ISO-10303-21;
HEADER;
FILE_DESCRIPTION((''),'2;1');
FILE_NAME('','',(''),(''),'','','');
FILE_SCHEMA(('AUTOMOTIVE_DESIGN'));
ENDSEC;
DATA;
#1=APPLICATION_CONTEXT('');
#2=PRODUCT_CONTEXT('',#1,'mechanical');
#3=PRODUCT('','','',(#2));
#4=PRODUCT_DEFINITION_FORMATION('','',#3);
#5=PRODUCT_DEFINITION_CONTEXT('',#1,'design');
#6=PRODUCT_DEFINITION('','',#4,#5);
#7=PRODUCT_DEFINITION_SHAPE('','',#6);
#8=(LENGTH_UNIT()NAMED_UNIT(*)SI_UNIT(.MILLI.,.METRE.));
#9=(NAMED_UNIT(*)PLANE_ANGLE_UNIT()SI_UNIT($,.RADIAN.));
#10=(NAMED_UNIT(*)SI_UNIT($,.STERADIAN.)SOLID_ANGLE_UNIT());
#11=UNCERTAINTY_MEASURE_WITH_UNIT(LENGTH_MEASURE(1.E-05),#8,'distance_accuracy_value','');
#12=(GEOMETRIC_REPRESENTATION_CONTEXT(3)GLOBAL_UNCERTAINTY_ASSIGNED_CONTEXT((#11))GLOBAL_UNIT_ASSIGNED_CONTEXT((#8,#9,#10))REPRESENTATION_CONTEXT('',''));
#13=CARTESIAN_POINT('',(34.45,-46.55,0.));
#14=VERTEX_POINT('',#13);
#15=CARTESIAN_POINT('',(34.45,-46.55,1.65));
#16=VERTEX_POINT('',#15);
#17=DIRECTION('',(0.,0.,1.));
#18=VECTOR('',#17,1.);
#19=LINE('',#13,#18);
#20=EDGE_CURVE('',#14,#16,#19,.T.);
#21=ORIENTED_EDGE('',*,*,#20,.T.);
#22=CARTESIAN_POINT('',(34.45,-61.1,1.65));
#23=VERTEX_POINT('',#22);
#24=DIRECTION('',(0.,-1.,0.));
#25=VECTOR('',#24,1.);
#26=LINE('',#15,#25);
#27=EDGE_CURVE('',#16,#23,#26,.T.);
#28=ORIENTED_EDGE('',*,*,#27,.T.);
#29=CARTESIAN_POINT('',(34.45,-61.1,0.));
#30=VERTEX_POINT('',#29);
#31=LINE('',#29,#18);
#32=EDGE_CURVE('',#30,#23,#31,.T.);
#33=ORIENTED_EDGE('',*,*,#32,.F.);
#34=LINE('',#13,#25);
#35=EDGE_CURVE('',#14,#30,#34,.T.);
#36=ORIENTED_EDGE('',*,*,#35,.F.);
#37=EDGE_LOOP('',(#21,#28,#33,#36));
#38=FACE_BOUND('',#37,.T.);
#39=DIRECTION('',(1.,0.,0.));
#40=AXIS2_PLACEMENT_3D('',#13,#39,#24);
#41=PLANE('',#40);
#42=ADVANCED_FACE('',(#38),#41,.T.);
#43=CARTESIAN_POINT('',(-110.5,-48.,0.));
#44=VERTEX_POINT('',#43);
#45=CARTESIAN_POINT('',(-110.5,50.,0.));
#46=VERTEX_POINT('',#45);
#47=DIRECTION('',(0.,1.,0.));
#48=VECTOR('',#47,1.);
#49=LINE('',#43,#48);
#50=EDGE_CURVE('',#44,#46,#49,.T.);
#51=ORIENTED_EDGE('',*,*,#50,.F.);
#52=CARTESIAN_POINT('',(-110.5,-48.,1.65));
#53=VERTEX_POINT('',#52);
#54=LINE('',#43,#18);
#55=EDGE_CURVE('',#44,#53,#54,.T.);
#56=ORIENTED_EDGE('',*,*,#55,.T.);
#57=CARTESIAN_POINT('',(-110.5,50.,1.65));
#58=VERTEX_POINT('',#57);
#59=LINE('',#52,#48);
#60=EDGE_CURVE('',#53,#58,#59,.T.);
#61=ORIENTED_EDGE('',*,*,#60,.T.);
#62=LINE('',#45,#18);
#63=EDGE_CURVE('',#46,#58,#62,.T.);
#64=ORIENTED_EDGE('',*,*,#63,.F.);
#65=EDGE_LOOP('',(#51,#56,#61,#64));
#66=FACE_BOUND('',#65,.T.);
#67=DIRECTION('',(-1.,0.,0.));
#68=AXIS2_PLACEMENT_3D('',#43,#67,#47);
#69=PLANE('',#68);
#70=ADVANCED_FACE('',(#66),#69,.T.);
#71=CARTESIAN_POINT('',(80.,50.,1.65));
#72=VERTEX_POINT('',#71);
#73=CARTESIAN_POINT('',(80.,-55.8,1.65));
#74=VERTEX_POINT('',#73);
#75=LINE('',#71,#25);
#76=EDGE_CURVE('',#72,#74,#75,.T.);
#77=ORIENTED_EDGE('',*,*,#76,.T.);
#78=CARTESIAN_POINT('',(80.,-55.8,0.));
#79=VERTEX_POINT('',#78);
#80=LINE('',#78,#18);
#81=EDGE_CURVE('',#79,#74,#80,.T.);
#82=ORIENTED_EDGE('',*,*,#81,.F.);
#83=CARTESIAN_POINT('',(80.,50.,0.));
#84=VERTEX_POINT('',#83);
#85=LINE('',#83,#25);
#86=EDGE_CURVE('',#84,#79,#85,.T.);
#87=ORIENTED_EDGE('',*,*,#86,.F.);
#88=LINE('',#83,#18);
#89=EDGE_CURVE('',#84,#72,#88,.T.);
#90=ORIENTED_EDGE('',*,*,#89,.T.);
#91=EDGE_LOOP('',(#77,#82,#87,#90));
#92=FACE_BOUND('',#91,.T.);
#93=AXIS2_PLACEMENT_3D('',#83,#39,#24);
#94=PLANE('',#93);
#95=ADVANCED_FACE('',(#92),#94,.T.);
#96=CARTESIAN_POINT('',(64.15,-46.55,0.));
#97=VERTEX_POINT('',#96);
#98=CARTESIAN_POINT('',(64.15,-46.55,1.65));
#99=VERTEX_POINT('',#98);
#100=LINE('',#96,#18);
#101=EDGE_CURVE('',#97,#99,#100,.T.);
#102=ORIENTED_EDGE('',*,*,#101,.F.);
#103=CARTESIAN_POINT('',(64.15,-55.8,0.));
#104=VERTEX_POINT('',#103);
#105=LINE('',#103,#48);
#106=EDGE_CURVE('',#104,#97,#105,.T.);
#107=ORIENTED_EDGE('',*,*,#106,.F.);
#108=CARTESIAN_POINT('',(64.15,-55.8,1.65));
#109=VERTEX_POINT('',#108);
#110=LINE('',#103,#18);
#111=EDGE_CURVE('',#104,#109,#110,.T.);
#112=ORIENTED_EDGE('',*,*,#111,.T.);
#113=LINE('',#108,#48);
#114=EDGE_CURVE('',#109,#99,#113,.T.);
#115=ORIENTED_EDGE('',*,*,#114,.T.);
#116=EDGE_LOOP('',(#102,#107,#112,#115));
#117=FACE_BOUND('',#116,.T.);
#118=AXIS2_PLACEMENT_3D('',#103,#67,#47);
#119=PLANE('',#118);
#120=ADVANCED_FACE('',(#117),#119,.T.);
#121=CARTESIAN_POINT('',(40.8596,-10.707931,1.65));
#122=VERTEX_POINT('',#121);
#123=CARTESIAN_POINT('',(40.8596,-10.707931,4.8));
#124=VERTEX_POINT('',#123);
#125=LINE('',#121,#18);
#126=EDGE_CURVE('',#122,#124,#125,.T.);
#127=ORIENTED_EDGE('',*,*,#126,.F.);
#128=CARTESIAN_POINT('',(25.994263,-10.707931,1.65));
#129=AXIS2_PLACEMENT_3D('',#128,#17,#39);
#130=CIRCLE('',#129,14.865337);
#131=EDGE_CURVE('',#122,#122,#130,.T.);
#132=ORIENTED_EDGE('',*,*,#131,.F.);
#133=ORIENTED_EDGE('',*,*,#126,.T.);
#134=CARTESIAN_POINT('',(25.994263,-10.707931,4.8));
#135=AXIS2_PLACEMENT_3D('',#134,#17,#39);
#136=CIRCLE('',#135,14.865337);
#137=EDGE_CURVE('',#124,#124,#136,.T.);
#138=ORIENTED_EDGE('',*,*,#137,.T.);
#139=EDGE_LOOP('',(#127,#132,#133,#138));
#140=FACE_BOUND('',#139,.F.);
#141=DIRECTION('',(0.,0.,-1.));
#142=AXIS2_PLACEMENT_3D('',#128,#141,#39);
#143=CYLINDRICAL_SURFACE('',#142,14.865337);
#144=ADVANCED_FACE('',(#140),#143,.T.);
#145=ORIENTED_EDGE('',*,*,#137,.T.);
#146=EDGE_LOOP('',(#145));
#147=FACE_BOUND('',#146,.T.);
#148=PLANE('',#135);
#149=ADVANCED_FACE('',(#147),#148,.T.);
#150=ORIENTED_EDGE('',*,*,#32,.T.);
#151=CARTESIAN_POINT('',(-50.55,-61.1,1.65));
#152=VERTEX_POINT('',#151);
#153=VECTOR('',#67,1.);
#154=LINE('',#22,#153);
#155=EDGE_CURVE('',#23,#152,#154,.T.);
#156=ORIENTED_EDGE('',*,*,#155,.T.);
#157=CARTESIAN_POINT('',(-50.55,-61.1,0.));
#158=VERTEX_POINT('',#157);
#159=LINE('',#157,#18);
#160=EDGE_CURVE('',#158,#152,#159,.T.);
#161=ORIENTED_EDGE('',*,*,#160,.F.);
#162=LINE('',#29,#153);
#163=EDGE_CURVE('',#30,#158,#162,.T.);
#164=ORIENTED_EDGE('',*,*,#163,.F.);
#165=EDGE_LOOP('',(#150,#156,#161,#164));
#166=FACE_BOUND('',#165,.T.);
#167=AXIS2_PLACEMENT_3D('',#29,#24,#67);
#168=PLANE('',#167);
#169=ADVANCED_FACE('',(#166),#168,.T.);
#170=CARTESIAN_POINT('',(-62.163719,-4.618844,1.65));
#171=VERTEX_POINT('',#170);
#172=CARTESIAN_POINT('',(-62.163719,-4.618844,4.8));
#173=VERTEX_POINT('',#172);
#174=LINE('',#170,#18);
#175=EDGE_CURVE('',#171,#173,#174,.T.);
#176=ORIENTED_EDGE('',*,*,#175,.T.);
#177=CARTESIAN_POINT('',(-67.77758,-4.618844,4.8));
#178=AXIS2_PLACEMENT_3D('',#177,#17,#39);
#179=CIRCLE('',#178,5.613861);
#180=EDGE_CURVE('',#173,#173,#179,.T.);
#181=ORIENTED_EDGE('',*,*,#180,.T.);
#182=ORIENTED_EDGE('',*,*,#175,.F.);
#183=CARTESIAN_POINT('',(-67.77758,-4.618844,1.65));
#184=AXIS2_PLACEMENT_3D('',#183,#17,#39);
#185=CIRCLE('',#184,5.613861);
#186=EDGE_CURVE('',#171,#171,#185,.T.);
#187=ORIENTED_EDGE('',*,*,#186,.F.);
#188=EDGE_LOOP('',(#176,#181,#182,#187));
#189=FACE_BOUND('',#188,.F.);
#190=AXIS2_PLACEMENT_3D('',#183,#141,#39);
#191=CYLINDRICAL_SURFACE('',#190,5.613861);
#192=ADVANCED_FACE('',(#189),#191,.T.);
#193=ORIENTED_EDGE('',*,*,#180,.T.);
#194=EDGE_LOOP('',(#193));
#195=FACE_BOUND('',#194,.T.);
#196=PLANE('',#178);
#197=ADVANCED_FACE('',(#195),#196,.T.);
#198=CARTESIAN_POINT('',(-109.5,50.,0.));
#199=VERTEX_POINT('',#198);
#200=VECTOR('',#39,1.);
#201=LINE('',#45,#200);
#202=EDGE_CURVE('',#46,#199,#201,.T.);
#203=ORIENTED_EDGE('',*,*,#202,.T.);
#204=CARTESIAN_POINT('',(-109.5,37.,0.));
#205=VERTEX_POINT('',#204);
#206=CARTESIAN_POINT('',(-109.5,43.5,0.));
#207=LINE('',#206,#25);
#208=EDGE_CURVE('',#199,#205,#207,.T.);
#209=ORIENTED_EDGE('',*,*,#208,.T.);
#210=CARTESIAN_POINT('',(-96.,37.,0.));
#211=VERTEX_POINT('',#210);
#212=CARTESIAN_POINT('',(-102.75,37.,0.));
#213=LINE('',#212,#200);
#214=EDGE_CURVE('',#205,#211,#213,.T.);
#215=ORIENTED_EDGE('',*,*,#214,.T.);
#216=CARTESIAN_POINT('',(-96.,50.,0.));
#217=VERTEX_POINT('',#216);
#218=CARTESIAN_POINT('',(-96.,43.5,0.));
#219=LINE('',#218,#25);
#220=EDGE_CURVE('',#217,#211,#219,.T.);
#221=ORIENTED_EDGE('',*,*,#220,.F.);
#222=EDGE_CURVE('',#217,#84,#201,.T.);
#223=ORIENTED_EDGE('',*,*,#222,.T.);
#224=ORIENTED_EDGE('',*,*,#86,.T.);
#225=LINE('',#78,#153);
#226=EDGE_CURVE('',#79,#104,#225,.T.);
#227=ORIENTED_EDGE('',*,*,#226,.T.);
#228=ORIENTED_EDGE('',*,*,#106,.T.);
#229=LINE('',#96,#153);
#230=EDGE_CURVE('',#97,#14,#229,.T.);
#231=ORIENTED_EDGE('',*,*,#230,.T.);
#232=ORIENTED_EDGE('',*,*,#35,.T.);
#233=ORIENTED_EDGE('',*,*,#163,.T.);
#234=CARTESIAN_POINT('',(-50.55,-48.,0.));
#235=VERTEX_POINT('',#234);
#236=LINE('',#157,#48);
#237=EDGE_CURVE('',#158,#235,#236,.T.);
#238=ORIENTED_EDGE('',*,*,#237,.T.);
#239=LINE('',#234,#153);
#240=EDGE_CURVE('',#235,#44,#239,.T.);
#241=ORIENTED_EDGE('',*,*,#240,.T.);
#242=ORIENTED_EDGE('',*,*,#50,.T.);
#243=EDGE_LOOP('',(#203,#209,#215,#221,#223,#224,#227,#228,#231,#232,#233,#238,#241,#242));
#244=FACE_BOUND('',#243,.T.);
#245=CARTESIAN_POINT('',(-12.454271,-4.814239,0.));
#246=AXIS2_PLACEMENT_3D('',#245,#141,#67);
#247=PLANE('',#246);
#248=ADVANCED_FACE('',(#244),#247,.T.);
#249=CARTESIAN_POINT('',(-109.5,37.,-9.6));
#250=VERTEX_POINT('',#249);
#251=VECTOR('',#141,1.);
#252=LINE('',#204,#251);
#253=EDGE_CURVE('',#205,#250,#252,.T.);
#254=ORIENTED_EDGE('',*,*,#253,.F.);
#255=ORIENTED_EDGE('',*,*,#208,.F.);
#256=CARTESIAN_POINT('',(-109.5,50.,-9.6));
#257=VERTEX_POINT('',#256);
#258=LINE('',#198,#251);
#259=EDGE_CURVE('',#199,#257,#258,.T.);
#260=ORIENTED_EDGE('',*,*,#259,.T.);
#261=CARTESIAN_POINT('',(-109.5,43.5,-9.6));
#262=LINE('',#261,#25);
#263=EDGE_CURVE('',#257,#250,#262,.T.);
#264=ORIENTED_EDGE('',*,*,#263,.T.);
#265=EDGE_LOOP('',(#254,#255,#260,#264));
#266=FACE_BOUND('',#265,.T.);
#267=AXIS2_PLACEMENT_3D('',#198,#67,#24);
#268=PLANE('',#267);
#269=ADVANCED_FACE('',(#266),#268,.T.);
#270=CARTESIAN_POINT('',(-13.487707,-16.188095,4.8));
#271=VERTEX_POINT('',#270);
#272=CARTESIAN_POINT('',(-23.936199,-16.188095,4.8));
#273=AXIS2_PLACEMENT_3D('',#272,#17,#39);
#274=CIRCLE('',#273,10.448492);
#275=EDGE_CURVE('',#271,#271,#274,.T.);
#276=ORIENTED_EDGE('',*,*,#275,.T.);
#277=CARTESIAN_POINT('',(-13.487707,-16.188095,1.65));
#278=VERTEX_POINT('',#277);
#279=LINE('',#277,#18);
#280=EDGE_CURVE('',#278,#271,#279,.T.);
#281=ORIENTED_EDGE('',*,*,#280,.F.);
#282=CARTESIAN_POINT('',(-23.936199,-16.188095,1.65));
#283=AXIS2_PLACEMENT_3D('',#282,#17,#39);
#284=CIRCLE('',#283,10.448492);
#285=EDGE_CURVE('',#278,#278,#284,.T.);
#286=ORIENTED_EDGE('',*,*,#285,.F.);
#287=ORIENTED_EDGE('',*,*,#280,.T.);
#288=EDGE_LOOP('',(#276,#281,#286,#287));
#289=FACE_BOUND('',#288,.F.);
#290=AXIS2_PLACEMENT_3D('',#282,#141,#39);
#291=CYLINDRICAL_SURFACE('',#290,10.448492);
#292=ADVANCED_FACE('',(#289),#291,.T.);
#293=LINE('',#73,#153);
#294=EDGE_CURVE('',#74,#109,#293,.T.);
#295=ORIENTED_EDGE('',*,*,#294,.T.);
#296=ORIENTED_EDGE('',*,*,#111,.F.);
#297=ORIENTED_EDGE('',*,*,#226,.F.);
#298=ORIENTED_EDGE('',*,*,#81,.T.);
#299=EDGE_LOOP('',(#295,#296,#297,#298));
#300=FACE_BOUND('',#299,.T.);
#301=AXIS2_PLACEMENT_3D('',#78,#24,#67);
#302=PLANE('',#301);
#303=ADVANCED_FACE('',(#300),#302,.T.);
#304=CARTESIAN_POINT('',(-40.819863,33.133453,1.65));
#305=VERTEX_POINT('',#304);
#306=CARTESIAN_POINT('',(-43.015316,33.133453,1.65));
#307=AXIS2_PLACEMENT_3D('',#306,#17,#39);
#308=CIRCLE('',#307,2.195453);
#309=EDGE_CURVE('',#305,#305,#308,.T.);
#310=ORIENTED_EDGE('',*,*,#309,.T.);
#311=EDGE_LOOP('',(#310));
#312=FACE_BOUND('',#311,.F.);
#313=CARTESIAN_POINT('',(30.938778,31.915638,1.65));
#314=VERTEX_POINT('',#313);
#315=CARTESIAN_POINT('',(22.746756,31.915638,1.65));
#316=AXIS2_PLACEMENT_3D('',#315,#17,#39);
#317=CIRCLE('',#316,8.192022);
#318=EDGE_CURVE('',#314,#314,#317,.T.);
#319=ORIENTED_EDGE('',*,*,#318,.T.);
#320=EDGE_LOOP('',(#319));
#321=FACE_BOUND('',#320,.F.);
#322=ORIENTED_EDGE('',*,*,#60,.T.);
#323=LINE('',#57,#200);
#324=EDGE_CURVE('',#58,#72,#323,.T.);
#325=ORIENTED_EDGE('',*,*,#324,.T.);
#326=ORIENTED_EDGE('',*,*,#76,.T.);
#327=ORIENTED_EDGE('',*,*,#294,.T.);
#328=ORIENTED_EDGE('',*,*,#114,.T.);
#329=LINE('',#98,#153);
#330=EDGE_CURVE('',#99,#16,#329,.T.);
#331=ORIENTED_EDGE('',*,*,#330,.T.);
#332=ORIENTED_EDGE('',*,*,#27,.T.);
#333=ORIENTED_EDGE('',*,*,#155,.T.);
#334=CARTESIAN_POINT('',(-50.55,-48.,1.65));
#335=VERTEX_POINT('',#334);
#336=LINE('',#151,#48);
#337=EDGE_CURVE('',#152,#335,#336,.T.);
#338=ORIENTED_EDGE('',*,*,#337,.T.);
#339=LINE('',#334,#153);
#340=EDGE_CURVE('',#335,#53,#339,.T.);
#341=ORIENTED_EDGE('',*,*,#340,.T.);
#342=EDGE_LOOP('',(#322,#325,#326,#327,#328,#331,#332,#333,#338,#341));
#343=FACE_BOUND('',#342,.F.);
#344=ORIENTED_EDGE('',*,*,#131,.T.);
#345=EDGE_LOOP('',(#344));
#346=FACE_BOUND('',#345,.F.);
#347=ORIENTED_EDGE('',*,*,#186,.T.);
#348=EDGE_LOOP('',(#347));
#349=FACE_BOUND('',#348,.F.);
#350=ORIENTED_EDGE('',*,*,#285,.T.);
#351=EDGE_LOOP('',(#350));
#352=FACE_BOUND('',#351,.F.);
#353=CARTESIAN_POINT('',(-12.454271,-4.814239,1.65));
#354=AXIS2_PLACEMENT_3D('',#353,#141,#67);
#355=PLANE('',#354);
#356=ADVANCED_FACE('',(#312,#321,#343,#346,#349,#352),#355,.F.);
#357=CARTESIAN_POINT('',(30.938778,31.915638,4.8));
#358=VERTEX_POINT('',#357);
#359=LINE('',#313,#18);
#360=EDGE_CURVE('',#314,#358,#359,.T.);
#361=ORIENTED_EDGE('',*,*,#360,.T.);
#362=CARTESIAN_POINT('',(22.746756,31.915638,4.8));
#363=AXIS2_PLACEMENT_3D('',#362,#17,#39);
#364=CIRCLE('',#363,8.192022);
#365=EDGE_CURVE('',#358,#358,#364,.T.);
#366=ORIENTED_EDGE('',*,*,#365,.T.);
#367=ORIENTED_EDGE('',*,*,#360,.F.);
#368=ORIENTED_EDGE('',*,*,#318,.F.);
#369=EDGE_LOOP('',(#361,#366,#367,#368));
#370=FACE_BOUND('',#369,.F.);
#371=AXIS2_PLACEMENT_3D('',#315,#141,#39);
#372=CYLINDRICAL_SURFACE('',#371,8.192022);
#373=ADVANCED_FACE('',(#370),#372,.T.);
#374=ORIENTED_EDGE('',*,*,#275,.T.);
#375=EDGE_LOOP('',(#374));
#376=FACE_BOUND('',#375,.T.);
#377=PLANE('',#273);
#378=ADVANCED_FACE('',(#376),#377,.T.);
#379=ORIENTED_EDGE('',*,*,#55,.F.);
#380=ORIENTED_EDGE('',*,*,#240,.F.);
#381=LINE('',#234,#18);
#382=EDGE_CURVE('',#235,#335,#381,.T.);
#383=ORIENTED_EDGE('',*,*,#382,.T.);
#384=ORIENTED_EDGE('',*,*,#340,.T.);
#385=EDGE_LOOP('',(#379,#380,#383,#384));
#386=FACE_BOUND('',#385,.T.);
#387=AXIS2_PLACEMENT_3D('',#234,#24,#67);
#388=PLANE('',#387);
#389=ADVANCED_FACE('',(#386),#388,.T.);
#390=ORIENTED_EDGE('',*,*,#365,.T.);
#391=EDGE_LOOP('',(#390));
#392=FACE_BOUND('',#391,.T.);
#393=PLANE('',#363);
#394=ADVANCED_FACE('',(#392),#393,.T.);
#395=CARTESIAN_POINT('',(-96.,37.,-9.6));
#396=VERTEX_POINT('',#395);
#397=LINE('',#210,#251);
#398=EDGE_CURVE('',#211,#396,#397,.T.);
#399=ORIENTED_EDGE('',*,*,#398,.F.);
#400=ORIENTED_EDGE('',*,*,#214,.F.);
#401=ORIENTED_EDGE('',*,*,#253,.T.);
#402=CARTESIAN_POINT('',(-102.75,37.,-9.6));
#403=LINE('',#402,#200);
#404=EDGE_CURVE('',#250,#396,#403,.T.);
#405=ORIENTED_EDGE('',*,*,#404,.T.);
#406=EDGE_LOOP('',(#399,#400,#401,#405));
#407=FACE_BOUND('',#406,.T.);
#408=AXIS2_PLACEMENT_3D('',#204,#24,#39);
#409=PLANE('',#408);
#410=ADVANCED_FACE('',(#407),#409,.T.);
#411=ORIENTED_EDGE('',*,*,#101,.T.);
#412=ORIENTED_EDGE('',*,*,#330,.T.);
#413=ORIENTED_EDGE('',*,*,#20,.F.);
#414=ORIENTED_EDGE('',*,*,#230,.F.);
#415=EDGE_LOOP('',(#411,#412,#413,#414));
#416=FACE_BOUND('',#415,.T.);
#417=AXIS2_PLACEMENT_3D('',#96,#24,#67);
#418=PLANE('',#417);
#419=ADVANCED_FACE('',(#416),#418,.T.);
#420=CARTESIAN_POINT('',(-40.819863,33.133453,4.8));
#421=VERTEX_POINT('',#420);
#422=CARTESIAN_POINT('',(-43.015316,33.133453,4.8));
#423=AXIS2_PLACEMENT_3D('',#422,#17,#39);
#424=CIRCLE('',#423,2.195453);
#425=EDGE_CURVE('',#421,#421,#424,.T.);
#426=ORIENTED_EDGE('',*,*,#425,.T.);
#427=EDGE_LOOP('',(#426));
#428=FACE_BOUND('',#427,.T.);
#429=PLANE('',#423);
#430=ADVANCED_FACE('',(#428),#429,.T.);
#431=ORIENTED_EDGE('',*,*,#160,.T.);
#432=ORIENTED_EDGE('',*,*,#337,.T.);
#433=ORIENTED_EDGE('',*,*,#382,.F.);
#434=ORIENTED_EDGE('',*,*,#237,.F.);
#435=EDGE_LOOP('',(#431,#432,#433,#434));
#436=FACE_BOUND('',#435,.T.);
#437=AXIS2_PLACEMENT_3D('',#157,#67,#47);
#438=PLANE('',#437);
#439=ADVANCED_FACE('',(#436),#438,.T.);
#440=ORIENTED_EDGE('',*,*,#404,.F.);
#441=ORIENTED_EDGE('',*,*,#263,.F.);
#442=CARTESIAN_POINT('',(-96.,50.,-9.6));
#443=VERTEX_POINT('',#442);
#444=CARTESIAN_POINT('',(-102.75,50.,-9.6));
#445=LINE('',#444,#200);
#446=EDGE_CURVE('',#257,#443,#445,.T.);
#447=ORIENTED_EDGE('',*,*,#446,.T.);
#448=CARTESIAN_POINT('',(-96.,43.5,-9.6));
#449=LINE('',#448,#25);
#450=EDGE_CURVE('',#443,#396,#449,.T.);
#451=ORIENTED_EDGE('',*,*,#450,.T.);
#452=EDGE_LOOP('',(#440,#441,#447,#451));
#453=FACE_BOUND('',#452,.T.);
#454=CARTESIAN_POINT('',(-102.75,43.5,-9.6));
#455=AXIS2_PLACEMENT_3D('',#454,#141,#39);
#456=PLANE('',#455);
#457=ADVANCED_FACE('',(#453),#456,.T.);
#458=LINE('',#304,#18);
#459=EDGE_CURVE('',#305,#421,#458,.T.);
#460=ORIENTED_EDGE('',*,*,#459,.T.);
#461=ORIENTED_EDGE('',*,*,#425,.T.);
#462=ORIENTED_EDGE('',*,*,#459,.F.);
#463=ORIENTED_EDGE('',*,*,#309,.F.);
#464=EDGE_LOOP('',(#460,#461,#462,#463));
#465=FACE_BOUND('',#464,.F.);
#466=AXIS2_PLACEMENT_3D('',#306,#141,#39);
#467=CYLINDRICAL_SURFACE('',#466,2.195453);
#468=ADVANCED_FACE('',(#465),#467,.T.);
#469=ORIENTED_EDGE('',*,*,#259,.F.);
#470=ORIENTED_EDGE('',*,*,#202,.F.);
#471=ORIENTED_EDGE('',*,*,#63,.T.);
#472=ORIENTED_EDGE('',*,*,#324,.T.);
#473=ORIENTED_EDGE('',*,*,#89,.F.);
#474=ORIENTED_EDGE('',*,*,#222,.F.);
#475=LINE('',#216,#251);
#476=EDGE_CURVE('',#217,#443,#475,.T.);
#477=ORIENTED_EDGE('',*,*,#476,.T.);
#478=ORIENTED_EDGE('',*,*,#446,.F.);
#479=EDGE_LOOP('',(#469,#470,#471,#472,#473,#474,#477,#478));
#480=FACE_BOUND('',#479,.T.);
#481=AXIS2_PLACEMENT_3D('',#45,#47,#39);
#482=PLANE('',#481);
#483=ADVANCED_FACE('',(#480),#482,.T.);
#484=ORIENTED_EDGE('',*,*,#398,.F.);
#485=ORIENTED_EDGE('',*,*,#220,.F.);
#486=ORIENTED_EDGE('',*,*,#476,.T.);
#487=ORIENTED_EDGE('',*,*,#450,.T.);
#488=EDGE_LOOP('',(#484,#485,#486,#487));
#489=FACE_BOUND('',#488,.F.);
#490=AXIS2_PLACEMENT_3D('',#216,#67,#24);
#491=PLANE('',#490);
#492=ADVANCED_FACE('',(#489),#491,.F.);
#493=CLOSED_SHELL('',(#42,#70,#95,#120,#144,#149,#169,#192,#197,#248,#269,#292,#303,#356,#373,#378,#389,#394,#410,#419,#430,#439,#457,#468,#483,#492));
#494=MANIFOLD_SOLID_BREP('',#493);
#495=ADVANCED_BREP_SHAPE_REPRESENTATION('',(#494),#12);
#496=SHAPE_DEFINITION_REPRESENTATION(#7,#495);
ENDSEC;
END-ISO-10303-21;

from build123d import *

# Parameters (mm, degrees)
PAD_DEPTH     = 1.65
SKETCH001_R   = 2.195453
SKETCH001_R_2 = 8.192022
SKETCH001_R_3 = 5.613861
SKETCH001_R_4 = 14.865337
SKETCH001_R_5 = 10.448492
PAD001_DEPTH  = 3.15
SKETCH002_W   = 13.5
SKETCH002_H   = 13
PAD002_DEPTH  = 9.6


with BuildPart() as part:
    # Sketch → Pad (new body)
    with BuildSketch(Plane.XY):
        Polygon((-110.5, 50), (80, 50), (80, -55.8), (64.15, -55.8), (64.15, -46.55), (34.45, -46.55), (34.45, -61.1), (-50.55, -61.1), (-50.55, -48), (-110.5, -48), align=None)
    extrude(amount=PAD_DEPTH)

    # Sketch001 (on Face12 of Pad) → Pad001 (join)
    with BuildSketch(Plane.XY.offset(1.65)):
        with Locations((-43.015316, 33.133453)):
            Circle(SKETCH001_R)
        with Locations((22.746756, 31.915638)):
            Circle(SKETCH001_R_2)
        with Locations((-67.77758, -4.618844)):
            Circle(SKETCH001_R_3)
        with Locations((25.994263, -10.707931)):
            Circle(SKETCH001_R_4)
        with Locations((-23.936199, -16.188095)):
            Circle(SKETCH001_R_5)
    extrude(amount=PAD001_DEPTH)

    # Sketch002 (on Face4 of Pad001) → Pad002 (join)
    with BuildSketch(Plane(origin=(0, 0, 0), x_dir=(1, 0, 0), z_dir=(0, 0, -1))):
        with Locations((-102.75, -43.5)):
            Rectangle(SKETCH002_W, SKETCH002_H)
    extrude(amount=PAD002_DEPTH)


solid = part.part
